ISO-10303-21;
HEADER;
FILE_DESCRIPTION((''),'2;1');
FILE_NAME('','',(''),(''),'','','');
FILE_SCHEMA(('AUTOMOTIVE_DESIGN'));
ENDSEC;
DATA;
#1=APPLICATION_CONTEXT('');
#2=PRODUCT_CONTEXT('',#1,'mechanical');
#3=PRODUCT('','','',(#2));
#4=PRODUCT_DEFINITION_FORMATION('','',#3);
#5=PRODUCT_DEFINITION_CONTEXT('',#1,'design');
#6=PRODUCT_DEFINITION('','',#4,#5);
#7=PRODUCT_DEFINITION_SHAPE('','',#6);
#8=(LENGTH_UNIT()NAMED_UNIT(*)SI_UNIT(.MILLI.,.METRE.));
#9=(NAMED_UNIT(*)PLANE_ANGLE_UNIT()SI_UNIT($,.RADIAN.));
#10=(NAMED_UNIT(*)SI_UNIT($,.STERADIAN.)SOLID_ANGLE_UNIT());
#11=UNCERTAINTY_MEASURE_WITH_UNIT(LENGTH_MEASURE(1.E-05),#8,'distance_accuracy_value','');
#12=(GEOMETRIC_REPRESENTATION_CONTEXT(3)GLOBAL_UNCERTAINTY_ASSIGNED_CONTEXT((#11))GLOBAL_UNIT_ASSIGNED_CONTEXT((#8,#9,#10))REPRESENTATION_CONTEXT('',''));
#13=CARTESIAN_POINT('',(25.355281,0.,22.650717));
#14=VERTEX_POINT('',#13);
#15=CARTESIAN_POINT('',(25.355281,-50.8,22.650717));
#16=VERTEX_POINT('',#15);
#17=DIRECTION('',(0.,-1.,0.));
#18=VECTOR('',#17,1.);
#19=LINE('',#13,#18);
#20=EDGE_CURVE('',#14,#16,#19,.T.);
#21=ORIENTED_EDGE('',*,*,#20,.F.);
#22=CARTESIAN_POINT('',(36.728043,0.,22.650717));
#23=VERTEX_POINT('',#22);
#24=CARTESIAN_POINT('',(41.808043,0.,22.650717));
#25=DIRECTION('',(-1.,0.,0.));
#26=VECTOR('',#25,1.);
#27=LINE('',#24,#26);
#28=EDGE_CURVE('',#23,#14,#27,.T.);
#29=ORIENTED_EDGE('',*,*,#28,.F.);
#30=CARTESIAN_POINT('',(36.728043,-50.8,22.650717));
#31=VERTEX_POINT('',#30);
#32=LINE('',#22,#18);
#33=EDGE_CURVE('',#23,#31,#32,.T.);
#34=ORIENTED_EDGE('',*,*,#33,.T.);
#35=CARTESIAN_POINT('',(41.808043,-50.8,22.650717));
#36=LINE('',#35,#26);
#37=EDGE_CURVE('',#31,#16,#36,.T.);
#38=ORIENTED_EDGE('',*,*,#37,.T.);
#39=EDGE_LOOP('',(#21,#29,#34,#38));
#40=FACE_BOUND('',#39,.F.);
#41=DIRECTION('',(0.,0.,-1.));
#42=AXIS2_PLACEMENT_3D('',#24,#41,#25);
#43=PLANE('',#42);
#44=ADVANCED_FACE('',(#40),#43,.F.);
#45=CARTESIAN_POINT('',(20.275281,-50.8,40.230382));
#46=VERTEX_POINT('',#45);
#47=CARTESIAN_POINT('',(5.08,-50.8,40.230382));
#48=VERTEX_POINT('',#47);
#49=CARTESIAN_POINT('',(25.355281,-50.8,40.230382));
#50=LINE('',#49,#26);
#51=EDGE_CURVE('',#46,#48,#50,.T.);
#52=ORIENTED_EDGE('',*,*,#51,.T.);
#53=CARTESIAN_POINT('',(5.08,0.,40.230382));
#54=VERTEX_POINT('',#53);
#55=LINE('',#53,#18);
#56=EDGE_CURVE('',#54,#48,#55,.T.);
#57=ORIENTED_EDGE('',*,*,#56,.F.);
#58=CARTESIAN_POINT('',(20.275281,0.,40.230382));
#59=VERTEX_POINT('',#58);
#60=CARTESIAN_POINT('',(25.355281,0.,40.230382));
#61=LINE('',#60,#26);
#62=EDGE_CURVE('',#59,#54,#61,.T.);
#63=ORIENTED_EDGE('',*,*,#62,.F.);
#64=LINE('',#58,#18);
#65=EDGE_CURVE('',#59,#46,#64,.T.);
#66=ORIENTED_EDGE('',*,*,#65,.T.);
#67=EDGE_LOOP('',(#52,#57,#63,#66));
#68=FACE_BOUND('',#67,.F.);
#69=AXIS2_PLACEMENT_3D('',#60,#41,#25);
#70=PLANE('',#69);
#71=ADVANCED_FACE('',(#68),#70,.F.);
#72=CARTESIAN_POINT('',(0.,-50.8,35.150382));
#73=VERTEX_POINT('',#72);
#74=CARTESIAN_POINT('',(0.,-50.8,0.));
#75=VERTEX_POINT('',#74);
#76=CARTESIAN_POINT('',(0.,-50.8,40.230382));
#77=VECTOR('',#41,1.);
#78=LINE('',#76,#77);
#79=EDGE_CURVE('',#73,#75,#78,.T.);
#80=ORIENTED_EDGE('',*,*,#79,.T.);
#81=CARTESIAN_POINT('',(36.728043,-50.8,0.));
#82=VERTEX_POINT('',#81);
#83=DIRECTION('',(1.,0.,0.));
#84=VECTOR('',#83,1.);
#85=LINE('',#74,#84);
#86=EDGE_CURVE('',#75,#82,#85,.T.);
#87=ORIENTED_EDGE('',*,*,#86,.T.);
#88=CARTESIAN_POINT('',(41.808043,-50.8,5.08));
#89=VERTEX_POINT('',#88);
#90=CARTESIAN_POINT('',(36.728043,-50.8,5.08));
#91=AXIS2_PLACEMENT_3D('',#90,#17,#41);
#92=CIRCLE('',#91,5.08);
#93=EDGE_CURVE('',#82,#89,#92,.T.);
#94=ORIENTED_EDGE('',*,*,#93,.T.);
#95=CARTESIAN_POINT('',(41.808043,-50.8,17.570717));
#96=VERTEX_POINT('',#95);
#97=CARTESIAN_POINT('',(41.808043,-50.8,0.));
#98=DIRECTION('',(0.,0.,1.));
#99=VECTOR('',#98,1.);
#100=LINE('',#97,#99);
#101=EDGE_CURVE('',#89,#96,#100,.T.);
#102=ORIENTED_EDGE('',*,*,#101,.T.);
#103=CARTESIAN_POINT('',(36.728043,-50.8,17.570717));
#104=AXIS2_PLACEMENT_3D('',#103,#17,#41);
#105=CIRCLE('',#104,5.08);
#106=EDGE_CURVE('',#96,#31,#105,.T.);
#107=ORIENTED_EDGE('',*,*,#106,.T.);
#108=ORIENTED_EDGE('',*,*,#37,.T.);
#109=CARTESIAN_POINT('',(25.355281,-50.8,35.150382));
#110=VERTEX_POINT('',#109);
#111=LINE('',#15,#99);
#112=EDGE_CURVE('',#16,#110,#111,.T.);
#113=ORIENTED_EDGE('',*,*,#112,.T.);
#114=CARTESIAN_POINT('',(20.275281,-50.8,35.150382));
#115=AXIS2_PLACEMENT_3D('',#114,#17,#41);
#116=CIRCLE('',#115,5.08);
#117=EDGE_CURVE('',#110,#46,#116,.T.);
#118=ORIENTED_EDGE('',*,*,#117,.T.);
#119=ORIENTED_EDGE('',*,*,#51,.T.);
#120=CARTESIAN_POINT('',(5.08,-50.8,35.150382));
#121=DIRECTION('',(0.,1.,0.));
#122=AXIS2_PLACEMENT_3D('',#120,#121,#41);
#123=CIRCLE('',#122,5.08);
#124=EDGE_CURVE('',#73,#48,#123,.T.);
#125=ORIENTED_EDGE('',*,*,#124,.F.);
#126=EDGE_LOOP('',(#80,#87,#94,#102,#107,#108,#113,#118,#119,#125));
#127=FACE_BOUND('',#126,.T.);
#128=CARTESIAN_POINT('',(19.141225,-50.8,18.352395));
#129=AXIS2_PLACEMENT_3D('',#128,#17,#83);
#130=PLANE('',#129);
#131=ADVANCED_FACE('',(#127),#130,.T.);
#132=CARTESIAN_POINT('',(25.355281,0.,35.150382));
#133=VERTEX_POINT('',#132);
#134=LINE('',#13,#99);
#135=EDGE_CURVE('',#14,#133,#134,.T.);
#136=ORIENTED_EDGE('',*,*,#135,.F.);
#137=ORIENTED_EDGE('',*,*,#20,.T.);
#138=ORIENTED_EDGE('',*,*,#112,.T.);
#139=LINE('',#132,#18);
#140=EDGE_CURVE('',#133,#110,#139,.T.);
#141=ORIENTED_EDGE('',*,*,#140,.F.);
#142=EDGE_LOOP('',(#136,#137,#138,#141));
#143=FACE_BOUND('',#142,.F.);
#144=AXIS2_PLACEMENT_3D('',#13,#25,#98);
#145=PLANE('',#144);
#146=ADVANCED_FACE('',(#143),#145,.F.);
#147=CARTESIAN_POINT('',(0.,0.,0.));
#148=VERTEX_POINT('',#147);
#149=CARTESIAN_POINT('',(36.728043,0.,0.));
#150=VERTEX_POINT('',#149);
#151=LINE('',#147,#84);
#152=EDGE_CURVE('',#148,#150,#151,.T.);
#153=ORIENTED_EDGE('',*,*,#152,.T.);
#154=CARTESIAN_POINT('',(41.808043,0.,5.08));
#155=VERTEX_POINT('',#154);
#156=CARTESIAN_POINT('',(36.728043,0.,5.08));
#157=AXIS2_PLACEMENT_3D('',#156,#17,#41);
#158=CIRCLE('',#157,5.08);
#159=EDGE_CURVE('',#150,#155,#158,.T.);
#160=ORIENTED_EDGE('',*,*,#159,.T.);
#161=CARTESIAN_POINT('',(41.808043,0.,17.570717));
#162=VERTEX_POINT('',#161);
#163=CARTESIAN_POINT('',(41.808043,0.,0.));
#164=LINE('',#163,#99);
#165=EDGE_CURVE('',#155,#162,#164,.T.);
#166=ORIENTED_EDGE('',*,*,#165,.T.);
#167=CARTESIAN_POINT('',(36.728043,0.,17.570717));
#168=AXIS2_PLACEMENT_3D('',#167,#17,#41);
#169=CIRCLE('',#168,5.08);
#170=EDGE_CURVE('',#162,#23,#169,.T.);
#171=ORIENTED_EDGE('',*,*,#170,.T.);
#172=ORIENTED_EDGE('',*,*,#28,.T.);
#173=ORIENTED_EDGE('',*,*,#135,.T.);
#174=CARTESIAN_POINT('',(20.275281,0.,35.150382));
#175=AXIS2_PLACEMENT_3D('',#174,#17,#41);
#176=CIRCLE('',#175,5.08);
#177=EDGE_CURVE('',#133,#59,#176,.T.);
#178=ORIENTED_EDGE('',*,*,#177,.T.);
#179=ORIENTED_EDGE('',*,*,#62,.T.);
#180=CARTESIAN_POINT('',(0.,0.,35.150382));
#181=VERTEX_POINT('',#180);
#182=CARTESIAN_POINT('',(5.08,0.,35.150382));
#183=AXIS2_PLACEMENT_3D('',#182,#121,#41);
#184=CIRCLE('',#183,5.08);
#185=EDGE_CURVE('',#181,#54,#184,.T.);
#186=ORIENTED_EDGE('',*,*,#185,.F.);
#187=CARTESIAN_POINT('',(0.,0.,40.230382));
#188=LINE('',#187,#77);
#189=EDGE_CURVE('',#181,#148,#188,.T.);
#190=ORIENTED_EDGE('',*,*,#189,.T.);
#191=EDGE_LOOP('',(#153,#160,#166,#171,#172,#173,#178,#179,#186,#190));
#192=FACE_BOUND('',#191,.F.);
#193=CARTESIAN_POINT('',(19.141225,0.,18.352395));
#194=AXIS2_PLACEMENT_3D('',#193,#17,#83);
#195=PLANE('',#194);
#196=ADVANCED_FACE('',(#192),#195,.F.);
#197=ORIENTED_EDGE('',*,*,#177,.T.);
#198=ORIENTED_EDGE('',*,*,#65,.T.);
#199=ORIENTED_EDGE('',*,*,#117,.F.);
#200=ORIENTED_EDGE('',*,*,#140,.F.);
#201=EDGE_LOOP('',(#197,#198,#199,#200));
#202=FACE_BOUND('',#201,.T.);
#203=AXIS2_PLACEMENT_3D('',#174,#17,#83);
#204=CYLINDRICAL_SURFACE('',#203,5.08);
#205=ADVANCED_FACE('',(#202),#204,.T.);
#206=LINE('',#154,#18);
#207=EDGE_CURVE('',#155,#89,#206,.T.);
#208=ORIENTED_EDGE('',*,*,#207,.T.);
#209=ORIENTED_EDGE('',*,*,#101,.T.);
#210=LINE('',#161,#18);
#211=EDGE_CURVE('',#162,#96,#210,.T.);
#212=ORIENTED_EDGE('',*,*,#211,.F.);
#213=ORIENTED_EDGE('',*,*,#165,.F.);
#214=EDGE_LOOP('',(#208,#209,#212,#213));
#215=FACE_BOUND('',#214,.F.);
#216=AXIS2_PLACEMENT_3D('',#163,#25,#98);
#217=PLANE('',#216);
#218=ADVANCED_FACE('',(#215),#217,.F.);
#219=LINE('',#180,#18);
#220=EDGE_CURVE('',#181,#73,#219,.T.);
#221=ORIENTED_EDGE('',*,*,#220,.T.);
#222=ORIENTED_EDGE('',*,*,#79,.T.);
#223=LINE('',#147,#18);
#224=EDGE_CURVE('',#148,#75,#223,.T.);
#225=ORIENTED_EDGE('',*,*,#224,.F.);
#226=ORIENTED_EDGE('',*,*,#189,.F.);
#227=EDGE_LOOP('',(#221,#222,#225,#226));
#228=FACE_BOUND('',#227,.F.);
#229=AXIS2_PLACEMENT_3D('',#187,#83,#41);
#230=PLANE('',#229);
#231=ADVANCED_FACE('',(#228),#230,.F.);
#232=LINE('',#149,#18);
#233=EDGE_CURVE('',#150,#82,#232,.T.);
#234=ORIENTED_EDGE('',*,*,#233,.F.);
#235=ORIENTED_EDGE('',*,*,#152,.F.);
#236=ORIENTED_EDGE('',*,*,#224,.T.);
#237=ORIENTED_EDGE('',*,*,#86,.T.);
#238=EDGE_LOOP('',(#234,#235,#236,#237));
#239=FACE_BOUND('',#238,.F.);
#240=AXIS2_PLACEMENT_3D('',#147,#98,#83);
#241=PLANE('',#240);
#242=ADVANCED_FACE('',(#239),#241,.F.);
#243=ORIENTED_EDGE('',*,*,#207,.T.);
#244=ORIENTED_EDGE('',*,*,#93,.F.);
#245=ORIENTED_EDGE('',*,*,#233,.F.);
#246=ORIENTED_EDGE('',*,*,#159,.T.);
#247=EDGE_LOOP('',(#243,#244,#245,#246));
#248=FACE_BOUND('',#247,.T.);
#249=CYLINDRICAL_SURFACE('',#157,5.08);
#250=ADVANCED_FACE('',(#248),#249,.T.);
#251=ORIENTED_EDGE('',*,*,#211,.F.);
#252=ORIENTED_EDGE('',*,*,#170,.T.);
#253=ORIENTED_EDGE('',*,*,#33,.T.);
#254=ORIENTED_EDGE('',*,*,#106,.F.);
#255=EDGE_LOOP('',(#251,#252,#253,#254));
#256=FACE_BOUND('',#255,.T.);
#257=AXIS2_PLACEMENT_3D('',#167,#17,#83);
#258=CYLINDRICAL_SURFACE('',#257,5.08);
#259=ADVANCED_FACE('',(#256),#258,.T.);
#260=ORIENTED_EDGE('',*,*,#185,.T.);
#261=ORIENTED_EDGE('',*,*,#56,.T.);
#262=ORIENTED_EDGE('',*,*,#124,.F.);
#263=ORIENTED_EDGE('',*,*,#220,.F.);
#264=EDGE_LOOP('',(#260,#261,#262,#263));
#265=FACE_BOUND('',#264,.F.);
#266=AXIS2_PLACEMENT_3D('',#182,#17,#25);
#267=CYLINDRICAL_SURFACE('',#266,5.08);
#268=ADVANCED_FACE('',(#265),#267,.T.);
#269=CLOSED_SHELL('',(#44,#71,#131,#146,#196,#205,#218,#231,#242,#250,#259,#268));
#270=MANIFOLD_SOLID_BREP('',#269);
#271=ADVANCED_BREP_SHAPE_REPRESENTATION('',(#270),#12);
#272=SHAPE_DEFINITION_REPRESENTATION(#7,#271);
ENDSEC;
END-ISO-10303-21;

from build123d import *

# Parameters (mm, degrees)
F1_DEPTH = 50.8
F2_R     = 5.08


with BuildPart() as f1:
    # F0 (on Front) → F1 (new body)
    with BuildSketch(Plane.XZ):
        Polygon((0, 40.230382), (0, 0), (41.808043, 0), (41.808043, 22.650717), (25.355281, 22.650717), (25.355281, 40.230382), align=None)
    extrude(amount=F1_DEPTH)

    # F2
    f2_edges = [f1.edges().sort_by_distance(p)[0] for p in [
        (25.355281, -25.4, 40.230382),
        (41.808043, -25.4, 22.650717),
        (41.808043, -25.4, 0),
        (0, -25.4, 40.230382),
    ]]
    fillet(f2_edges, radius=F2_R)


solid = f1.part
